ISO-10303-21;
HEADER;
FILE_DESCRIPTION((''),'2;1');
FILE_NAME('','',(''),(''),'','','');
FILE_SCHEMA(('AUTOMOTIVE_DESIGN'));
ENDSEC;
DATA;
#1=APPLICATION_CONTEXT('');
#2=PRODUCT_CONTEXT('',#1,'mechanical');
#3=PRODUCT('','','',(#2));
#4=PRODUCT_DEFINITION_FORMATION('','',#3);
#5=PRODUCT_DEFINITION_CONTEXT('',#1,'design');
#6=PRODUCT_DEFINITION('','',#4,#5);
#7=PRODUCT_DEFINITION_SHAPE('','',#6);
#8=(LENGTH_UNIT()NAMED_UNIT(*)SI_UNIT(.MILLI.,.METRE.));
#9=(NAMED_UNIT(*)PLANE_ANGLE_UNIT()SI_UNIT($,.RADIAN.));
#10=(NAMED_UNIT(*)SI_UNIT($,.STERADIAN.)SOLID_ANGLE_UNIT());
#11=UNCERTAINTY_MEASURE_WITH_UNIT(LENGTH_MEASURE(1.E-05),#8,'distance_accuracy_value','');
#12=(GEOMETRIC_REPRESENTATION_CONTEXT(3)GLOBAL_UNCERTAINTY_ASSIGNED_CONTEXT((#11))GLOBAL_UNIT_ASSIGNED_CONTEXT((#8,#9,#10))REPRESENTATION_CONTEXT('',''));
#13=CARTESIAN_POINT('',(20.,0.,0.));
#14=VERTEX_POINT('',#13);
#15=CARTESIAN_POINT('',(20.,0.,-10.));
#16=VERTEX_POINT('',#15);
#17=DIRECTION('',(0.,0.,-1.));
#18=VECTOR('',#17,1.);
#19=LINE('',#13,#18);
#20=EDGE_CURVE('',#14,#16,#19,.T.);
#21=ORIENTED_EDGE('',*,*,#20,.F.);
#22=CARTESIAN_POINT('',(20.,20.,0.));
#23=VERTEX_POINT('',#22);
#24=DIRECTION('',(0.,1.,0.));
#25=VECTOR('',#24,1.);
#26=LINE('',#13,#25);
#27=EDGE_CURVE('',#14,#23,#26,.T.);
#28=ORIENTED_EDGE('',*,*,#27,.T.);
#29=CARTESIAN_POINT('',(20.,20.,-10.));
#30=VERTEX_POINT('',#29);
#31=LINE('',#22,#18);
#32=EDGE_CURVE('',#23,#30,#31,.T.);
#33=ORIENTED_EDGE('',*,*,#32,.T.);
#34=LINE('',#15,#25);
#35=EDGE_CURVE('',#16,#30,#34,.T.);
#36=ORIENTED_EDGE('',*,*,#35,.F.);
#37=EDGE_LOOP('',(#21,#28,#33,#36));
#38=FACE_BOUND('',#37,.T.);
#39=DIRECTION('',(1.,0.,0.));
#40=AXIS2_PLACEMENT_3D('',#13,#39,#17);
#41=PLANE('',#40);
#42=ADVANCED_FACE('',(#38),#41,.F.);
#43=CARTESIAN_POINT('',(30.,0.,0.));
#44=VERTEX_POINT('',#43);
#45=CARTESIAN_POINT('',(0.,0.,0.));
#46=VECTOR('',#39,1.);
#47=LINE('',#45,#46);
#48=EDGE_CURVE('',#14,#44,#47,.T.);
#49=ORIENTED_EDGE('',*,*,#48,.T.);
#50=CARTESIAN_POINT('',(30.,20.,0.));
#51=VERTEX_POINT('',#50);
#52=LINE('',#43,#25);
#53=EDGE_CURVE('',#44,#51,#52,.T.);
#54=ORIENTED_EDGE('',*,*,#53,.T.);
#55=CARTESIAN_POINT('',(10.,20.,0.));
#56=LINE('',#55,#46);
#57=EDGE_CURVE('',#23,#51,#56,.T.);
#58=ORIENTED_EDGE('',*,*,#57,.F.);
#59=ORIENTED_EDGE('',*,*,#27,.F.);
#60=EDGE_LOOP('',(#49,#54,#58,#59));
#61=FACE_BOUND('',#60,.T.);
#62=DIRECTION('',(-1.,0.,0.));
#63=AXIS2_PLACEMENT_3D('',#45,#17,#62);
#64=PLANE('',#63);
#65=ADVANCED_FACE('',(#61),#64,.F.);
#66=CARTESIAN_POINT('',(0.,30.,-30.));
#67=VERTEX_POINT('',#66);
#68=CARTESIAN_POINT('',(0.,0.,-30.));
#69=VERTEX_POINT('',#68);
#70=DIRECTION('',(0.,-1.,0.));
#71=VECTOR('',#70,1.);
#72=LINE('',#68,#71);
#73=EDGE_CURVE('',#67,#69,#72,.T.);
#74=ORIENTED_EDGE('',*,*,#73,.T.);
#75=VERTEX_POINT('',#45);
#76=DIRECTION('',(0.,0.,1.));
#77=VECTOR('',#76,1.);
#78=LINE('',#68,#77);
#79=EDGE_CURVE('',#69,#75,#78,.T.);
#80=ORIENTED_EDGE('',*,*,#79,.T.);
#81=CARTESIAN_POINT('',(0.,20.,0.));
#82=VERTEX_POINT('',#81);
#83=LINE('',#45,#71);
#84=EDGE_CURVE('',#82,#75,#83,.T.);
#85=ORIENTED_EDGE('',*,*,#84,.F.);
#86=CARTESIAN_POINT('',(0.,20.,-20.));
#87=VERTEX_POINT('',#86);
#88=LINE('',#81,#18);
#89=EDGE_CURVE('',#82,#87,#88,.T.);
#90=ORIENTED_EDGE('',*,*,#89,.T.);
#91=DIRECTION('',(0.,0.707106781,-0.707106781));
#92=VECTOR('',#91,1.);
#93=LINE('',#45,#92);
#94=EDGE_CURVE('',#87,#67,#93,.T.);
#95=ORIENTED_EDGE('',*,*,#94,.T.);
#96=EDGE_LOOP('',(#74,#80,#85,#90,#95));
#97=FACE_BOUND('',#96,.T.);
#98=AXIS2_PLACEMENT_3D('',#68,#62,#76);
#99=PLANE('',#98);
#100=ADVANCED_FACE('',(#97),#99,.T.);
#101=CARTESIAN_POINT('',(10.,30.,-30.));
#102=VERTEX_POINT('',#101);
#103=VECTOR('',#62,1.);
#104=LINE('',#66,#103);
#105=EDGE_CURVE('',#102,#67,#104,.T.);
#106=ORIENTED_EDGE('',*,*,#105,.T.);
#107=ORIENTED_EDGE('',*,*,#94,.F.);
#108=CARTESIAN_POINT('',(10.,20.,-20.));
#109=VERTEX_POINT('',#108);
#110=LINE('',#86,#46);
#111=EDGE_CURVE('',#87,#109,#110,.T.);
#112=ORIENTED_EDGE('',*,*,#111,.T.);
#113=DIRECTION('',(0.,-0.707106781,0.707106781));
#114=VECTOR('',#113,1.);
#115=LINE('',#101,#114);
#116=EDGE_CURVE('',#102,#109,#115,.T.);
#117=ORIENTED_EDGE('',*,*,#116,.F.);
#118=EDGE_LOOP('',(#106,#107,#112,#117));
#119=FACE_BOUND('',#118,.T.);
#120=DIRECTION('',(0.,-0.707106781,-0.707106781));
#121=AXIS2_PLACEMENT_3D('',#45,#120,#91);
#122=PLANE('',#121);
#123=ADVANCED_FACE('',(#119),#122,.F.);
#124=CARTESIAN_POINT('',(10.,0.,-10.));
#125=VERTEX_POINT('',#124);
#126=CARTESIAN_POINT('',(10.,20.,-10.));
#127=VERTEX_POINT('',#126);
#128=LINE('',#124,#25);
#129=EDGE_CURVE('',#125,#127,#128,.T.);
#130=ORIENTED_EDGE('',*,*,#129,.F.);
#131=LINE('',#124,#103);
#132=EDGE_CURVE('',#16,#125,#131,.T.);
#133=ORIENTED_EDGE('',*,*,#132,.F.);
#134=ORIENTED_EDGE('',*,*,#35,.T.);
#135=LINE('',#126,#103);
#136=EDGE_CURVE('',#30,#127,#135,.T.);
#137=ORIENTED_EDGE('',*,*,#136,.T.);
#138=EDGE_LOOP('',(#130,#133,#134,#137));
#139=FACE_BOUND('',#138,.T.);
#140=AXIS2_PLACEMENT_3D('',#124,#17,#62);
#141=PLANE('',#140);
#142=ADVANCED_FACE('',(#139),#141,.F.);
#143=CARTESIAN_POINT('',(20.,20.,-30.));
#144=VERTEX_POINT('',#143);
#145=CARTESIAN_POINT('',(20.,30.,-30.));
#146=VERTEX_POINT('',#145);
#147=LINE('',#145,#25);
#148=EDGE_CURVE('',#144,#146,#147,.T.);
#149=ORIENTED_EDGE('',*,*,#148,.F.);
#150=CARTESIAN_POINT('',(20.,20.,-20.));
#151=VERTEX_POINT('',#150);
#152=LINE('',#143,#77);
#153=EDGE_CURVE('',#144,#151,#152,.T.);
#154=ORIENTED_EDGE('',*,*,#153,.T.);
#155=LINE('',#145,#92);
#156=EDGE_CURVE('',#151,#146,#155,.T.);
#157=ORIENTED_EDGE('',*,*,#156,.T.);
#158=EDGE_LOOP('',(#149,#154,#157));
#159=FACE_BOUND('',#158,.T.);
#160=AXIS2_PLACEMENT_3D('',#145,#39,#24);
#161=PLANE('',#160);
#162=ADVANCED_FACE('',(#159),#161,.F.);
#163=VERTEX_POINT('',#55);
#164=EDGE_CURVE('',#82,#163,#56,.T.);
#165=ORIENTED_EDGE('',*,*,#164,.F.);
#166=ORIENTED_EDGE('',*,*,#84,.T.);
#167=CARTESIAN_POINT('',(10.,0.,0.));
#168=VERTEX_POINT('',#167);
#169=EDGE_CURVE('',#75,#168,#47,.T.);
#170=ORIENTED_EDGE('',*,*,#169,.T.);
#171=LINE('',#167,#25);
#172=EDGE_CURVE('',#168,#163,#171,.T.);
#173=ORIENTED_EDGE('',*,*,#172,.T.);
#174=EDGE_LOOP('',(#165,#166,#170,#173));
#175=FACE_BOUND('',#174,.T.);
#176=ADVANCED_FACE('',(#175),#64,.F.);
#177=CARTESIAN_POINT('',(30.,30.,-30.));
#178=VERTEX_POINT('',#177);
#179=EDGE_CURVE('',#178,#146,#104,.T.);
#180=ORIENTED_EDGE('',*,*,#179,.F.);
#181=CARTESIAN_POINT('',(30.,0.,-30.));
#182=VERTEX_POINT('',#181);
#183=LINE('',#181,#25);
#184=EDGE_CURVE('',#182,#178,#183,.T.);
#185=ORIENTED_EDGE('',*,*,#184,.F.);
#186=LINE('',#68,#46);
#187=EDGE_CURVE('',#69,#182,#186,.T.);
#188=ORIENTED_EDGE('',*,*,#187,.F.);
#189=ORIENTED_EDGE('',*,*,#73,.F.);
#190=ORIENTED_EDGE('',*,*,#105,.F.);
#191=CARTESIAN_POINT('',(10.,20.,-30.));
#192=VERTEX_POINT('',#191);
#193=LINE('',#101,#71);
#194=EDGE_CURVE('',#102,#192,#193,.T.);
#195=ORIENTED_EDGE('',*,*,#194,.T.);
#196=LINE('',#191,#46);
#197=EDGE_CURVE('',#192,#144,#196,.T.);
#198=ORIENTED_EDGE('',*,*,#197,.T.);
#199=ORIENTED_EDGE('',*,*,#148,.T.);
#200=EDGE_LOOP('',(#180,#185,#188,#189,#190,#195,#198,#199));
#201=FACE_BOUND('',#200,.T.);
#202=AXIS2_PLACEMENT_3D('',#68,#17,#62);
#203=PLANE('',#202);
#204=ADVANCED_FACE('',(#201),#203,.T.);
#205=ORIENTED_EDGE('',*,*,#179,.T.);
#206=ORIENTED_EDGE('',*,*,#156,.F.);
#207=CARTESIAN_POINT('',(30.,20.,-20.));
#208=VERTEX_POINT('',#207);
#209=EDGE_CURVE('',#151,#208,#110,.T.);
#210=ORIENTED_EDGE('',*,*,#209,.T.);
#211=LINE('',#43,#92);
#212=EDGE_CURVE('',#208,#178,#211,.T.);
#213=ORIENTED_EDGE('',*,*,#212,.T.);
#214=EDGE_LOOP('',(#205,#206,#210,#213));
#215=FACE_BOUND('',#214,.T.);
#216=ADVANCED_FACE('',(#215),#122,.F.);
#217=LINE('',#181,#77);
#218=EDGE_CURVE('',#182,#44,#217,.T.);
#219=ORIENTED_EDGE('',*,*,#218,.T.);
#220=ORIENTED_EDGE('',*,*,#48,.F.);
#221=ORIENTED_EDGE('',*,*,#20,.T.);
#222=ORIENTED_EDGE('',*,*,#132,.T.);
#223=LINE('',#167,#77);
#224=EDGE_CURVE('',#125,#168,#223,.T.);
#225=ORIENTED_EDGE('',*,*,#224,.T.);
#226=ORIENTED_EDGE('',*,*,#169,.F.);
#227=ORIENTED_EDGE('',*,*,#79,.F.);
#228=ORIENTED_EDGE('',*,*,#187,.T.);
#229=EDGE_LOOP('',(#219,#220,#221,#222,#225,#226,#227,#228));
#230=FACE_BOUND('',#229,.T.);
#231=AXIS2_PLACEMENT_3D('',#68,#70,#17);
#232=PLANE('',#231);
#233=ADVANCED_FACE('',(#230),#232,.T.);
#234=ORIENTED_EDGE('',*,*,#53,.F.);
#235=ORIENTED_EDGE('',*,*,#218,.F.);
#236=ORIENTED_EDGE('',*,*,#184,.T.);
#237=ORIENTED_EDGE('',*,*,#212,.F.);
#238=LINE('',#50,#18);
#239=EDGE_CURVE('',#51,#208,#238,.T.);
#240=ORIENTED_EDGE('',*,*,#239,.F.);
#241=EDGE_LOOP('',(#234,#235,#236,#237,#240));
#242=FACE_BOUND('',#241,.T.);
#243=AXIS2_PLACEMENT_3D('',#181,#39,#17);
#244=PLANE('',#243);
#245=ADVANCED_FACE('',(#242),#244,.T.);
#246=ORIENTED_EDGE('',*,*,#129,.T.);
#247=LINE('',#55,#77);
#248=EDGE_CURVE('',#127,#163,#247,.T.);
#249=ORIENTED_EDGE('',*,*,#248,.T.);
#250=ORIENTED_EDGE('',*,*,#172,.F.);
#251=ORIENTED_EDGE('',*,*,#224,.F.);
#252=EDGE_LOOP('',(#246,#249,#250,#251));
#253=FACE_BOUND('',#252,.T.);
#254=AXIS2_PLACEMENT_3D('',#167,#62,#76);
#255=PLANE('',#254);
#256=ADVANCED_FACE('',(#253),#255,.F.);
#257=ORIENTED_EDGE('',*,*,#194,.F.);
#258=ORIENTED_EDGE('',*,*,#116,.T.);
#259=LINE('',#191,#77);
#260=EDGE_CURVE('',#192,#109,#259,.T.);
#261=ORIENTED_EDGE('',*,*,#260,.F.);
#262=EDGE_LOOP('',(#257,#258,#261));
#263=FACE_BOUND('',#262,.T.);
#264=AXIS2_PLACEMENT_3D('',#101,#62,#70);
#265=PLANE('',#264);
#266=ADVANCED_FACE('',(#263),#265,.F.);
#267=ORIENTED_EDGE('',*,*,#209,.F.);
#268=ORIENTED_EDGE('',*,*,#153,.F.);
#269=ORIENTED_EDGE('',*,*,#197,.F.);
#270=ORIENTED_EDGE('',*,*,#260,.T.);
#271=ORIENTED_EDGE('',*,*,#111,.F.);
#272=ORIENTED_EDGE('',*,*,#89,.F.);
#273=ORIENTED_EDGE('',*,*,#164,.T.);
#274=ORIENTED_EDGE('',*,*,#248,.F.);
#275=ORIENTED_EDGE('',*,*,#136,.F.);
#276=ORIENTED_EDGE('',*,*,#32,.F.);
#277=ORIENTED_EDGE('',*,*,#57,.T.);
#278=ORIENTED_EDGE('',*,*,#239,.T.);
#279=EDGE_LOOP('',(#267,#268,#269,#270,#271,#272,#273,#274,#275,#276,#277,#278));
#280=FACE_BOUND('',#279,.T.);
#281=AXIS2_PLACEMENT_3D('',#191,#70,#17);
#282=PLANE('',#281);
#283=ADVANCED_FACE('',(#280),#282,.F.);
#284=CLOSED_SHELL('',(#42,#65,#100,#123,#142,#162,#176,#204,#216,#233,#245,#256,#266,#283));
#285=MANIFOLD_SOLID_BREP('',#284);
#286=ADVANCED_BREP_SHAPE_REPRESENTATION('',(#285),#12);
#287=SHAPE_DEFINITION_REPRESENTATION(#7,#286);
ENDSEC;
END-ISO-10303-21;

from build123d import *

# Parameters (mm, degrees)
SKETCH_1_W           = 30
SKETCH_1_H           = 30
EXTRUDE_1_DEPTH      = 30
SKETCH_42_W          = 10
SKETCH_42_H          = 10
CUT_EXTRUDE_29_DEPTH = 52.961524227
SKETCH_43_W          = 20
SKETCH_43_H          = 10
CUT_EXTRUDE_30_DEPTH = 52.961524227
SKETCH_44_W          = 10
SKETCH_44_H          = 10
CUT_EXTRUDE_31_DEPTH = 47.904157598


with BuildPart() as part:
    # 草圖1 → 填料-伸1 (new body)
    with BuildSketch(Plane.XY):
        with Locations((15, 15)):
            Rectangle(SKETCH_1_W, SKETCH_1_H)
    extrude(amount=-EXTRUDE_1_DEPTH)

    # 草圖42 → 除料-伸長29 (cut, through all)
    with BuildSketch(Plane.XY):
        with Locations((15, 25)):
            Rectangle(SKETCH_42_W, SKETCH_42_H)
    extrude(amount=-CUT_EXTRUDE_29_DEPTH, mode=Mode.SUBTRACT)

    # 草圖43 → 除料-伸長30 (cut, through all)
    with BuildSketch(Plane(origin=(30, 0, 0), x_dir=(0, 0, -1), z_dir=(1, 0, 0))):
        Polygon((30, 30), (20, 30), (20, 20), align=None)
        with Locations((10, 25)):
            Rectangle(SKETCH_43_W, SKETCH_43_H)
    extrude(amount=-CUT_EXTRUDE_30_DEPTH, mode=Mode.SUBTRACT)

    # 草圖44 → 除料-伸長31 (cut, through all)
    with BuildSketch(Plane(origin=(0, 20, 0), x_dir=(1, 0, 0), z_dir=(0, 1, 0))):
        with Locations((15, 5)):
            Rectangle(SKETCH_44_W, SKETCH_44_H)
    extrude(amount=-CUT_EXTRUDE_31_DEPTH, mode=Mode.SUBTRACT)


solid = part.part
